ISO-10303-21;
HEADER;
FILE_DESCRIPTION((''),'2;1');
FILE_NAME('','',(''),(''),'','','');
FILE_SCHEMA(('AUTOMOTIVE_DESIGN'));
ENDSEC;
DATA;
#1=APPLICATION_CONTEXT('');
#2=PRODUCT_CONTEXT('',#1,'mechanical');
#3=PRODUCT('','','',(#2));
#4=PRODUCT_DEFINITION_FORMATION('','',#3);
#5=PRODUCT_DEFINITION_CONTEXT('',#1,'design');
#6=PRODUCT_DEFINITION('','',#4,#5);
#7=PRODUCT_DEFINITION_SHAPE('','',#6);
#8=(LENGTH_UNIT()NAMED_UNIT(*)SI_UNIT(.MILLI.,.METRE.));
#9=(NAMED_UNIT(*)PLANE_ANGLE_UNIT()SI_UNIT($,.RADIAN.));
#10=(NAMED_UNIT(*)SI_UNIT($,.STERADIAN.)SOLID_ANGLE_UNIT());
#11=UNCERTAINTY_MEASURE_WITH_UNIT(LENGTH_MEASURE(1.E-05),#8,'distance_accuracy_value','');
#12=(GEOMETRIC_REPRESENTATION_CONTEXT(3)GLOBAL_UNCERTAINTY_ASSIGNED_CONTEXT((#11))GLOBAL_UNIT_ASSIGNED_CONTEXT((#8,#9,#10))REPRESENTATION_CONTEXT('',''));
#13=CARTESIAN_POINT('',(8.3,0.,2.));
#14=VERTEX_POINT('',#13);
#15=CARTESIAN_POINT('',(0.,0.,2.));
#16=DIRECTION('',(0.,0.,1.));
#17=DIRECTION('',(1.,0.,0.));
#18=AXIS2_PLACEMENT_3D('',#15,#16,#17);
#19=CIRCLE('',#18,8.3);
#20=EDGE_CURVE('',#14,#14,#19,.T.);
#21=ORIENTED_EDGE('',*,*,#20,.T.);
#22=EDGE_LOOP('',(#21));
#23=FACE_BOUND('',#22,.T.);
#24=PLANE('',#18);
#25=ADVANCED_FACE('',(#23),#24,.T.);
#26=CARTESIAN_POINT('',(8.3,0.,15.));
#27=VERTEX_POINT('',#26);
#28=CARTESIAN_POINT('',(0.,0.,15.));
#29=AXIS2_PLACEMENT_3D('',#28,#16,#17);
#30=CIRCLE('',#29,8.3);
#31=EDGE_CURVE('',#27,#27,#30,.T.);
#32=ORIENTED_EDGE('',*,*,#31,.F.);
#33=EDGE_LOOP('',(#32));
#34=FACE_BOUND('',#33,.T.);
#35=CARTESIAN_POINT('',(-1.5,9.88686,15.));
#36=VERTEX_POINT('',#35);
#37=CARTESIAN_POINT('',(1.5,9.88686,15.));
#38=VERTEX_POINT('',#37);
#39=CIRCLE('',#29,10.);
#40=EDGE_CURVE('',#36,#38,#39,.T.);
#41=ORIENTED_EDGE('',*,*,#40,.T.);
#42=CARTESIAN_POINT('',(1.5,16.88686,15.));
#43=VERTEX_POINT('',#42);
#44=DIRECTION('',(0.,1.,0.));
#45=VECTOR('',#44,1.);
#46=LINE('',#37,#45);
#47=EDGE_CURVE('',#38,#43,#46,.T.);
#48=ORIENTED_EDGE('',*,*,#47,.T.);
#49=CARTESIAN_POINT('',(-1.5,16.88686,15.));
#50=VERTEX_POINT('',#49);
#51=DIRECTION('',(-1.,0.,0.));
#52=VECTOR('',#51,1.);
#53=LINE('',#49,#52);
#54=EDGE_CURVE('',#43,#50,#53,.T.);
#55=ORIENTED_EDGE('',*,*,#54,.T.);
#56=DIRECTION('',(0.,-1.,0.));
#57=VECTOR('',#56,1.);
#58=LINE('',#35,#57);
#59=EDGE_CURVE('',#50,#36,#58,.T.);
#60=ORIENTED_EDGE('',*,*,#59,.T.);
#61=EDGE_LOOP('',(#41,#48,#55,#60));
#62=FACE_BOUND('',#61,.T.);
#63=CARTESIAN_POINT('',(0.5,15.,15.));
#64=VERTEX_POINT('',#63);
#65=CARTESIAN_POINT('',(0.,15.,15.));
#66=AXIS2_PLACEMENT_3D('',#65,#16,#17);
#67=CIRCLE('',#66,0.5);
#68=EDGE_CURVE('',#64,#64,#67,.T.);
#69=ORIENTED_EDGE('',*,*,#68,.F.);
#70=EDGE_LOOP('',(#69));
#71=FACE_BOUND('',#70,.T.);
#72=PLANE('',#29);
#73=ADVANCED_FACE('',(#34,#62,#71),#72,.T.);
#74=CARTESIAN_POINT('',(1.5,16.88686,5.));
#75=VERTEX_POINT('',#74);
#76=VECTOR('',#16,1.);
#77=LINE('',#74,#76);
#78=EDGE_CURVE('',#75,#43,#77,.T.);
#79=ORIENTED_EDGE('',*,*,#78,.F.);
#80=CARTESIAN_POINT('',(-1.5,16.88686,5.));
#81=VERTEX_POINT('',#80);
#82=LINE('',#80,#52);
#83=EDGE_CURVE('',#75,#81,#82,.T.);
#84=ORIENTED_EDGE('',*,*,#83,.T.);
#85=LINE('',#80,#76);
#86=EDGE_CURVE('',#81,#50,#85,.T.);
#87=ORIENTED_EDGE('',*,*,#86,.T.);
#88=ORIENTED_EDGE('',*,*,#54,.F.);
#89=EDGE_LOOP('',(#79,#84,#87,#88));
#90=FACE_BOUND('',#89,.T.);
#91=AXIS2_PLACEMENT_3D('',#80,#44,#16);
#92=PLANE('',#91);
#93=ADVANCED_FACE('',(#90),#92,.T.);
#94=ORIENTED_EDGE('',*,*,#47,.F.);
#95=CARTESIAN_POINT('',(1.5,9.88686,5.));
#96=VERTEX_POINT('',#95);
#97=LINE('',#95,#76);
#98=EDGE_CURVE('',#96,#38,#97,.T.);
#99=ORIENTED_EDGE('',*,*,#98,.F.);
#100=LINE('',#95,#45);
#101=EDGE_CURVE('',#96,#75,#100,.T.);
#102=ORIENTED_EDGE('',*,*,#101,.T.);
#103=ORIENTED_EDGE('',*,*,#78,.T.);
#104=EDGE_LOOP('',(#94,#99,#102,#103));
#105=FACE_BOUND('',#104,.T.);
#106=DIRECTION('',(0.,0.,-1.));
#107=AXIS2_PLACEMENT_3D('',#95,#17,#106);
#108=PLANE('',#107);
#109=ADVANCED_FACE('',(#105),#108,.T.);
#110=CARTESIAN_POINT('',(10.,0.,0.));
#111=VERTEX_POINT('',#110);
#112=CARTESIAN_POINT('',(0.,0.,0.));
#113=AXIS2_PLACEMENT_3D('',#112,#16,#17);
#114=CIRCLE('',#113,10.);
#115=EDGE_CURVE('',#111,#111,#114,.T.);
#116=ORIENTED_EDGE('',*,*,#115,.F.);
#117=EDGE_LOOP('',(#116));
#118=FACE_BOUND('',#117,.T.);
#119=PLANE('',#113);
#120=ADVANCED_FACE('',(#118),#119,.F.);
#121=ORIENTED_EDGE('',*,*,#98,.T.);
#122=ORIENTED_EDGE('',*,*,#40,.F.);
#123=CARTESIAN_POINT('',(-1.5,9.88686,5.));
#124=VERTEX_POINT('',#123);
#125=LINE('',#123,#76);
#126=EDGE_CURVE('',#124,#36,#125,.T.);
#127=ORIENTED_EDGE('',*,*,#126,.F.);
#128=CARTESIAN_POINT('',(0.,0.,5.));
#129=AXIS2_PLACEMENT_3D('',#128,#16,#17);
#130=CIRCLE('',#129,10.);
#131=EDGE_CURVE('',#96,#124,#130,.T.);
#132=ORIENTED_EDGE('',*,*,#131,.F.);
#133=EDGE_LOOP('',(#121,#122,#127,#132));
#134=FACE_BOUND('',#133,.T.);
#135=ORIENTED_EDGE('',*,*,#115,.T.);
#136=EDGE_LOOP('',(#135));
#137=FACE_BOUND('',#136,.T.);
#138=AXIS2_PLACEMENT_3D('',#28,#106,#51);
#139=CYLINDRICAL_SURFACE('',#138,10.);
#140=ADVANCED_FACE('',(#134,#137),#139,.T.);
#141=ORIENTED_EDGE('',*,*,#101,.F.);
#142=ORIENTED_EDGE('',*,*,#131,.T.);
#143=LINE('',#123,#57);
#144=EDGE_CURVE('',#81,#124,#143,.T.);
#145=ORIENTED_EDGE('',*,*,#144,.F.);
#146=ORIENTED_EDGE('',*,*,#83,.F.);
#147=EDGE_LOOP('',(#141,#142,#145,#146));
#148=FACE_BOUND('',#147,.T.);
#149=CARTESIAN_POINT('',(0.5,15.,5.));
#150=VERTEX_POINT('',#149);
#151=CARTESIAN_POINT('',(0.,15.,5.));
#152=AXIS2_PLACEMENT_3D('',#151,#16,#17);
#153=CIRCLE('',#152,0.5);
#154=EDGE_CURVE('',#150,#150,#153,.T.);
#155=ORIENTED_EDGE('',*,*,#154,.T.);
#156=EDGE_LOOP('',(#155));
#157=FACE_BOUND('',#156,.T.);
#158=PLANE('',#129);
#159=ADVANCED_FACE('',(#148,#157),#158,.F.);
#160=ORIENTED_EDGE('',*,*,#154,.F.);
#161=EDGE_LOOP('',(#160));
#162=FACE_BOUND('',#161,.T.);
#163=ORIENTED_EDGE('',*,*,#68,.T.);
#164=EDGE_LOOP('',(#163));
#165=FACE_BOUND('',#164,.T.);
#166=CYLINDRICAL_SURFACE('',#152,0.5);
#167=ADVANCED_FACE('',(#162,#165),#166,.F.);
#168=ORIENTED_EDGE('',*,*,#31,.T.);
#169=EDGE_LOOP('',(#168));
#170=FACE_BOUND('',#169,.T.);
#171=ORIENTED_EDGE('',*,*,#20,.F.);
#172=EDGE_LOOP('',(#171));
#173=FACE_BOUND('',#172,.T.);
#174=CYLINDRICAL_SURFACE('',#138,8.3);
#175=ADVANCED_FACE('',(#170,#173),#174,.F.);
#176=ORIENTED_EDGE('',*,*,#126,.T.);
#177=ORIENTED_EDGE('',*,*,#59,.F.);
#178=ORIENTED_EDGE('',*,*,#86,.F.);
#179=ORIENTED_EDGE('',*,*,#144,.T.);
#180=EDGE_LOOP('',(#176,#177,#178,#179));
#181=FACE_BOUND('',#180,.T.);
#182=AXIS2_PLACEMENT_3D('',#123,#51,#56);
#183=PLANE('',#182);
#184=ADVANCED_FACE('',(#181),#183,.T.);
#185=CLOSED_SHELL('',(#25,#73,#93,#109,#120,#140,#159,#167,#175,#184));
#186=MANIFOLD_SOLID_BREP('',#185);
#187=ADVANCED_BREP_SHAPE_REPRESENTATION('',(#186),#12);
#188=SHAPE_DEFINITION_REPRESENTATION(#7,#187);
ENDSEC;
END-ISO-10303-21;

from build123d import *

# Parameters (mm, degrees)
SKETCH5_R           = 10
SKETCH5_R_2         = 8.3
BOSS_EXTRUDE1_DEPTH = 15
SKETCH6_R           = 10
BOSS_EXTRUDE2_DEPTH = 2
SKETCH7_W           = 3
SKETCH7_H           = 7
SKETCH7_R           = 0.5
BOSS_EXTRUDE3_DEPTH = 10


with BuildPart() as part:
    # Sketch5 → Boss-Extrude1 (new body)
    with BuildSketch(Plane.XY):
        Circle(SKETCH5_R)
        Circle(SKETCH5_R_2, mode=Mode.SUBTRACT)
    extrude(amount=BOSS_EXTRUDE1_DEPTH)

    # Sketch6 → Boss-Extrude2 (add)
    with BuildSketch(Plane.XY):
        Circle(SKETCH6_R)
    extrude(amount=BOSS_EXTRUDE2_DEPTH)

    # Sketch7 → Boss-Extrude3 (add)
    with BuildSketch(Plane.XY.offset(15)):
        with Locations((0, 13.386859967)):
            Rectangle(SKETCH7_W, SKETCH7_H)
        with Locations((0, 15)):
            Circle(SKETCH7_R, mode=Mode.SUBTRACT)
    extrude(amount=-BOSS_EXTRUDE3_DEPTH)


solid = part.part
